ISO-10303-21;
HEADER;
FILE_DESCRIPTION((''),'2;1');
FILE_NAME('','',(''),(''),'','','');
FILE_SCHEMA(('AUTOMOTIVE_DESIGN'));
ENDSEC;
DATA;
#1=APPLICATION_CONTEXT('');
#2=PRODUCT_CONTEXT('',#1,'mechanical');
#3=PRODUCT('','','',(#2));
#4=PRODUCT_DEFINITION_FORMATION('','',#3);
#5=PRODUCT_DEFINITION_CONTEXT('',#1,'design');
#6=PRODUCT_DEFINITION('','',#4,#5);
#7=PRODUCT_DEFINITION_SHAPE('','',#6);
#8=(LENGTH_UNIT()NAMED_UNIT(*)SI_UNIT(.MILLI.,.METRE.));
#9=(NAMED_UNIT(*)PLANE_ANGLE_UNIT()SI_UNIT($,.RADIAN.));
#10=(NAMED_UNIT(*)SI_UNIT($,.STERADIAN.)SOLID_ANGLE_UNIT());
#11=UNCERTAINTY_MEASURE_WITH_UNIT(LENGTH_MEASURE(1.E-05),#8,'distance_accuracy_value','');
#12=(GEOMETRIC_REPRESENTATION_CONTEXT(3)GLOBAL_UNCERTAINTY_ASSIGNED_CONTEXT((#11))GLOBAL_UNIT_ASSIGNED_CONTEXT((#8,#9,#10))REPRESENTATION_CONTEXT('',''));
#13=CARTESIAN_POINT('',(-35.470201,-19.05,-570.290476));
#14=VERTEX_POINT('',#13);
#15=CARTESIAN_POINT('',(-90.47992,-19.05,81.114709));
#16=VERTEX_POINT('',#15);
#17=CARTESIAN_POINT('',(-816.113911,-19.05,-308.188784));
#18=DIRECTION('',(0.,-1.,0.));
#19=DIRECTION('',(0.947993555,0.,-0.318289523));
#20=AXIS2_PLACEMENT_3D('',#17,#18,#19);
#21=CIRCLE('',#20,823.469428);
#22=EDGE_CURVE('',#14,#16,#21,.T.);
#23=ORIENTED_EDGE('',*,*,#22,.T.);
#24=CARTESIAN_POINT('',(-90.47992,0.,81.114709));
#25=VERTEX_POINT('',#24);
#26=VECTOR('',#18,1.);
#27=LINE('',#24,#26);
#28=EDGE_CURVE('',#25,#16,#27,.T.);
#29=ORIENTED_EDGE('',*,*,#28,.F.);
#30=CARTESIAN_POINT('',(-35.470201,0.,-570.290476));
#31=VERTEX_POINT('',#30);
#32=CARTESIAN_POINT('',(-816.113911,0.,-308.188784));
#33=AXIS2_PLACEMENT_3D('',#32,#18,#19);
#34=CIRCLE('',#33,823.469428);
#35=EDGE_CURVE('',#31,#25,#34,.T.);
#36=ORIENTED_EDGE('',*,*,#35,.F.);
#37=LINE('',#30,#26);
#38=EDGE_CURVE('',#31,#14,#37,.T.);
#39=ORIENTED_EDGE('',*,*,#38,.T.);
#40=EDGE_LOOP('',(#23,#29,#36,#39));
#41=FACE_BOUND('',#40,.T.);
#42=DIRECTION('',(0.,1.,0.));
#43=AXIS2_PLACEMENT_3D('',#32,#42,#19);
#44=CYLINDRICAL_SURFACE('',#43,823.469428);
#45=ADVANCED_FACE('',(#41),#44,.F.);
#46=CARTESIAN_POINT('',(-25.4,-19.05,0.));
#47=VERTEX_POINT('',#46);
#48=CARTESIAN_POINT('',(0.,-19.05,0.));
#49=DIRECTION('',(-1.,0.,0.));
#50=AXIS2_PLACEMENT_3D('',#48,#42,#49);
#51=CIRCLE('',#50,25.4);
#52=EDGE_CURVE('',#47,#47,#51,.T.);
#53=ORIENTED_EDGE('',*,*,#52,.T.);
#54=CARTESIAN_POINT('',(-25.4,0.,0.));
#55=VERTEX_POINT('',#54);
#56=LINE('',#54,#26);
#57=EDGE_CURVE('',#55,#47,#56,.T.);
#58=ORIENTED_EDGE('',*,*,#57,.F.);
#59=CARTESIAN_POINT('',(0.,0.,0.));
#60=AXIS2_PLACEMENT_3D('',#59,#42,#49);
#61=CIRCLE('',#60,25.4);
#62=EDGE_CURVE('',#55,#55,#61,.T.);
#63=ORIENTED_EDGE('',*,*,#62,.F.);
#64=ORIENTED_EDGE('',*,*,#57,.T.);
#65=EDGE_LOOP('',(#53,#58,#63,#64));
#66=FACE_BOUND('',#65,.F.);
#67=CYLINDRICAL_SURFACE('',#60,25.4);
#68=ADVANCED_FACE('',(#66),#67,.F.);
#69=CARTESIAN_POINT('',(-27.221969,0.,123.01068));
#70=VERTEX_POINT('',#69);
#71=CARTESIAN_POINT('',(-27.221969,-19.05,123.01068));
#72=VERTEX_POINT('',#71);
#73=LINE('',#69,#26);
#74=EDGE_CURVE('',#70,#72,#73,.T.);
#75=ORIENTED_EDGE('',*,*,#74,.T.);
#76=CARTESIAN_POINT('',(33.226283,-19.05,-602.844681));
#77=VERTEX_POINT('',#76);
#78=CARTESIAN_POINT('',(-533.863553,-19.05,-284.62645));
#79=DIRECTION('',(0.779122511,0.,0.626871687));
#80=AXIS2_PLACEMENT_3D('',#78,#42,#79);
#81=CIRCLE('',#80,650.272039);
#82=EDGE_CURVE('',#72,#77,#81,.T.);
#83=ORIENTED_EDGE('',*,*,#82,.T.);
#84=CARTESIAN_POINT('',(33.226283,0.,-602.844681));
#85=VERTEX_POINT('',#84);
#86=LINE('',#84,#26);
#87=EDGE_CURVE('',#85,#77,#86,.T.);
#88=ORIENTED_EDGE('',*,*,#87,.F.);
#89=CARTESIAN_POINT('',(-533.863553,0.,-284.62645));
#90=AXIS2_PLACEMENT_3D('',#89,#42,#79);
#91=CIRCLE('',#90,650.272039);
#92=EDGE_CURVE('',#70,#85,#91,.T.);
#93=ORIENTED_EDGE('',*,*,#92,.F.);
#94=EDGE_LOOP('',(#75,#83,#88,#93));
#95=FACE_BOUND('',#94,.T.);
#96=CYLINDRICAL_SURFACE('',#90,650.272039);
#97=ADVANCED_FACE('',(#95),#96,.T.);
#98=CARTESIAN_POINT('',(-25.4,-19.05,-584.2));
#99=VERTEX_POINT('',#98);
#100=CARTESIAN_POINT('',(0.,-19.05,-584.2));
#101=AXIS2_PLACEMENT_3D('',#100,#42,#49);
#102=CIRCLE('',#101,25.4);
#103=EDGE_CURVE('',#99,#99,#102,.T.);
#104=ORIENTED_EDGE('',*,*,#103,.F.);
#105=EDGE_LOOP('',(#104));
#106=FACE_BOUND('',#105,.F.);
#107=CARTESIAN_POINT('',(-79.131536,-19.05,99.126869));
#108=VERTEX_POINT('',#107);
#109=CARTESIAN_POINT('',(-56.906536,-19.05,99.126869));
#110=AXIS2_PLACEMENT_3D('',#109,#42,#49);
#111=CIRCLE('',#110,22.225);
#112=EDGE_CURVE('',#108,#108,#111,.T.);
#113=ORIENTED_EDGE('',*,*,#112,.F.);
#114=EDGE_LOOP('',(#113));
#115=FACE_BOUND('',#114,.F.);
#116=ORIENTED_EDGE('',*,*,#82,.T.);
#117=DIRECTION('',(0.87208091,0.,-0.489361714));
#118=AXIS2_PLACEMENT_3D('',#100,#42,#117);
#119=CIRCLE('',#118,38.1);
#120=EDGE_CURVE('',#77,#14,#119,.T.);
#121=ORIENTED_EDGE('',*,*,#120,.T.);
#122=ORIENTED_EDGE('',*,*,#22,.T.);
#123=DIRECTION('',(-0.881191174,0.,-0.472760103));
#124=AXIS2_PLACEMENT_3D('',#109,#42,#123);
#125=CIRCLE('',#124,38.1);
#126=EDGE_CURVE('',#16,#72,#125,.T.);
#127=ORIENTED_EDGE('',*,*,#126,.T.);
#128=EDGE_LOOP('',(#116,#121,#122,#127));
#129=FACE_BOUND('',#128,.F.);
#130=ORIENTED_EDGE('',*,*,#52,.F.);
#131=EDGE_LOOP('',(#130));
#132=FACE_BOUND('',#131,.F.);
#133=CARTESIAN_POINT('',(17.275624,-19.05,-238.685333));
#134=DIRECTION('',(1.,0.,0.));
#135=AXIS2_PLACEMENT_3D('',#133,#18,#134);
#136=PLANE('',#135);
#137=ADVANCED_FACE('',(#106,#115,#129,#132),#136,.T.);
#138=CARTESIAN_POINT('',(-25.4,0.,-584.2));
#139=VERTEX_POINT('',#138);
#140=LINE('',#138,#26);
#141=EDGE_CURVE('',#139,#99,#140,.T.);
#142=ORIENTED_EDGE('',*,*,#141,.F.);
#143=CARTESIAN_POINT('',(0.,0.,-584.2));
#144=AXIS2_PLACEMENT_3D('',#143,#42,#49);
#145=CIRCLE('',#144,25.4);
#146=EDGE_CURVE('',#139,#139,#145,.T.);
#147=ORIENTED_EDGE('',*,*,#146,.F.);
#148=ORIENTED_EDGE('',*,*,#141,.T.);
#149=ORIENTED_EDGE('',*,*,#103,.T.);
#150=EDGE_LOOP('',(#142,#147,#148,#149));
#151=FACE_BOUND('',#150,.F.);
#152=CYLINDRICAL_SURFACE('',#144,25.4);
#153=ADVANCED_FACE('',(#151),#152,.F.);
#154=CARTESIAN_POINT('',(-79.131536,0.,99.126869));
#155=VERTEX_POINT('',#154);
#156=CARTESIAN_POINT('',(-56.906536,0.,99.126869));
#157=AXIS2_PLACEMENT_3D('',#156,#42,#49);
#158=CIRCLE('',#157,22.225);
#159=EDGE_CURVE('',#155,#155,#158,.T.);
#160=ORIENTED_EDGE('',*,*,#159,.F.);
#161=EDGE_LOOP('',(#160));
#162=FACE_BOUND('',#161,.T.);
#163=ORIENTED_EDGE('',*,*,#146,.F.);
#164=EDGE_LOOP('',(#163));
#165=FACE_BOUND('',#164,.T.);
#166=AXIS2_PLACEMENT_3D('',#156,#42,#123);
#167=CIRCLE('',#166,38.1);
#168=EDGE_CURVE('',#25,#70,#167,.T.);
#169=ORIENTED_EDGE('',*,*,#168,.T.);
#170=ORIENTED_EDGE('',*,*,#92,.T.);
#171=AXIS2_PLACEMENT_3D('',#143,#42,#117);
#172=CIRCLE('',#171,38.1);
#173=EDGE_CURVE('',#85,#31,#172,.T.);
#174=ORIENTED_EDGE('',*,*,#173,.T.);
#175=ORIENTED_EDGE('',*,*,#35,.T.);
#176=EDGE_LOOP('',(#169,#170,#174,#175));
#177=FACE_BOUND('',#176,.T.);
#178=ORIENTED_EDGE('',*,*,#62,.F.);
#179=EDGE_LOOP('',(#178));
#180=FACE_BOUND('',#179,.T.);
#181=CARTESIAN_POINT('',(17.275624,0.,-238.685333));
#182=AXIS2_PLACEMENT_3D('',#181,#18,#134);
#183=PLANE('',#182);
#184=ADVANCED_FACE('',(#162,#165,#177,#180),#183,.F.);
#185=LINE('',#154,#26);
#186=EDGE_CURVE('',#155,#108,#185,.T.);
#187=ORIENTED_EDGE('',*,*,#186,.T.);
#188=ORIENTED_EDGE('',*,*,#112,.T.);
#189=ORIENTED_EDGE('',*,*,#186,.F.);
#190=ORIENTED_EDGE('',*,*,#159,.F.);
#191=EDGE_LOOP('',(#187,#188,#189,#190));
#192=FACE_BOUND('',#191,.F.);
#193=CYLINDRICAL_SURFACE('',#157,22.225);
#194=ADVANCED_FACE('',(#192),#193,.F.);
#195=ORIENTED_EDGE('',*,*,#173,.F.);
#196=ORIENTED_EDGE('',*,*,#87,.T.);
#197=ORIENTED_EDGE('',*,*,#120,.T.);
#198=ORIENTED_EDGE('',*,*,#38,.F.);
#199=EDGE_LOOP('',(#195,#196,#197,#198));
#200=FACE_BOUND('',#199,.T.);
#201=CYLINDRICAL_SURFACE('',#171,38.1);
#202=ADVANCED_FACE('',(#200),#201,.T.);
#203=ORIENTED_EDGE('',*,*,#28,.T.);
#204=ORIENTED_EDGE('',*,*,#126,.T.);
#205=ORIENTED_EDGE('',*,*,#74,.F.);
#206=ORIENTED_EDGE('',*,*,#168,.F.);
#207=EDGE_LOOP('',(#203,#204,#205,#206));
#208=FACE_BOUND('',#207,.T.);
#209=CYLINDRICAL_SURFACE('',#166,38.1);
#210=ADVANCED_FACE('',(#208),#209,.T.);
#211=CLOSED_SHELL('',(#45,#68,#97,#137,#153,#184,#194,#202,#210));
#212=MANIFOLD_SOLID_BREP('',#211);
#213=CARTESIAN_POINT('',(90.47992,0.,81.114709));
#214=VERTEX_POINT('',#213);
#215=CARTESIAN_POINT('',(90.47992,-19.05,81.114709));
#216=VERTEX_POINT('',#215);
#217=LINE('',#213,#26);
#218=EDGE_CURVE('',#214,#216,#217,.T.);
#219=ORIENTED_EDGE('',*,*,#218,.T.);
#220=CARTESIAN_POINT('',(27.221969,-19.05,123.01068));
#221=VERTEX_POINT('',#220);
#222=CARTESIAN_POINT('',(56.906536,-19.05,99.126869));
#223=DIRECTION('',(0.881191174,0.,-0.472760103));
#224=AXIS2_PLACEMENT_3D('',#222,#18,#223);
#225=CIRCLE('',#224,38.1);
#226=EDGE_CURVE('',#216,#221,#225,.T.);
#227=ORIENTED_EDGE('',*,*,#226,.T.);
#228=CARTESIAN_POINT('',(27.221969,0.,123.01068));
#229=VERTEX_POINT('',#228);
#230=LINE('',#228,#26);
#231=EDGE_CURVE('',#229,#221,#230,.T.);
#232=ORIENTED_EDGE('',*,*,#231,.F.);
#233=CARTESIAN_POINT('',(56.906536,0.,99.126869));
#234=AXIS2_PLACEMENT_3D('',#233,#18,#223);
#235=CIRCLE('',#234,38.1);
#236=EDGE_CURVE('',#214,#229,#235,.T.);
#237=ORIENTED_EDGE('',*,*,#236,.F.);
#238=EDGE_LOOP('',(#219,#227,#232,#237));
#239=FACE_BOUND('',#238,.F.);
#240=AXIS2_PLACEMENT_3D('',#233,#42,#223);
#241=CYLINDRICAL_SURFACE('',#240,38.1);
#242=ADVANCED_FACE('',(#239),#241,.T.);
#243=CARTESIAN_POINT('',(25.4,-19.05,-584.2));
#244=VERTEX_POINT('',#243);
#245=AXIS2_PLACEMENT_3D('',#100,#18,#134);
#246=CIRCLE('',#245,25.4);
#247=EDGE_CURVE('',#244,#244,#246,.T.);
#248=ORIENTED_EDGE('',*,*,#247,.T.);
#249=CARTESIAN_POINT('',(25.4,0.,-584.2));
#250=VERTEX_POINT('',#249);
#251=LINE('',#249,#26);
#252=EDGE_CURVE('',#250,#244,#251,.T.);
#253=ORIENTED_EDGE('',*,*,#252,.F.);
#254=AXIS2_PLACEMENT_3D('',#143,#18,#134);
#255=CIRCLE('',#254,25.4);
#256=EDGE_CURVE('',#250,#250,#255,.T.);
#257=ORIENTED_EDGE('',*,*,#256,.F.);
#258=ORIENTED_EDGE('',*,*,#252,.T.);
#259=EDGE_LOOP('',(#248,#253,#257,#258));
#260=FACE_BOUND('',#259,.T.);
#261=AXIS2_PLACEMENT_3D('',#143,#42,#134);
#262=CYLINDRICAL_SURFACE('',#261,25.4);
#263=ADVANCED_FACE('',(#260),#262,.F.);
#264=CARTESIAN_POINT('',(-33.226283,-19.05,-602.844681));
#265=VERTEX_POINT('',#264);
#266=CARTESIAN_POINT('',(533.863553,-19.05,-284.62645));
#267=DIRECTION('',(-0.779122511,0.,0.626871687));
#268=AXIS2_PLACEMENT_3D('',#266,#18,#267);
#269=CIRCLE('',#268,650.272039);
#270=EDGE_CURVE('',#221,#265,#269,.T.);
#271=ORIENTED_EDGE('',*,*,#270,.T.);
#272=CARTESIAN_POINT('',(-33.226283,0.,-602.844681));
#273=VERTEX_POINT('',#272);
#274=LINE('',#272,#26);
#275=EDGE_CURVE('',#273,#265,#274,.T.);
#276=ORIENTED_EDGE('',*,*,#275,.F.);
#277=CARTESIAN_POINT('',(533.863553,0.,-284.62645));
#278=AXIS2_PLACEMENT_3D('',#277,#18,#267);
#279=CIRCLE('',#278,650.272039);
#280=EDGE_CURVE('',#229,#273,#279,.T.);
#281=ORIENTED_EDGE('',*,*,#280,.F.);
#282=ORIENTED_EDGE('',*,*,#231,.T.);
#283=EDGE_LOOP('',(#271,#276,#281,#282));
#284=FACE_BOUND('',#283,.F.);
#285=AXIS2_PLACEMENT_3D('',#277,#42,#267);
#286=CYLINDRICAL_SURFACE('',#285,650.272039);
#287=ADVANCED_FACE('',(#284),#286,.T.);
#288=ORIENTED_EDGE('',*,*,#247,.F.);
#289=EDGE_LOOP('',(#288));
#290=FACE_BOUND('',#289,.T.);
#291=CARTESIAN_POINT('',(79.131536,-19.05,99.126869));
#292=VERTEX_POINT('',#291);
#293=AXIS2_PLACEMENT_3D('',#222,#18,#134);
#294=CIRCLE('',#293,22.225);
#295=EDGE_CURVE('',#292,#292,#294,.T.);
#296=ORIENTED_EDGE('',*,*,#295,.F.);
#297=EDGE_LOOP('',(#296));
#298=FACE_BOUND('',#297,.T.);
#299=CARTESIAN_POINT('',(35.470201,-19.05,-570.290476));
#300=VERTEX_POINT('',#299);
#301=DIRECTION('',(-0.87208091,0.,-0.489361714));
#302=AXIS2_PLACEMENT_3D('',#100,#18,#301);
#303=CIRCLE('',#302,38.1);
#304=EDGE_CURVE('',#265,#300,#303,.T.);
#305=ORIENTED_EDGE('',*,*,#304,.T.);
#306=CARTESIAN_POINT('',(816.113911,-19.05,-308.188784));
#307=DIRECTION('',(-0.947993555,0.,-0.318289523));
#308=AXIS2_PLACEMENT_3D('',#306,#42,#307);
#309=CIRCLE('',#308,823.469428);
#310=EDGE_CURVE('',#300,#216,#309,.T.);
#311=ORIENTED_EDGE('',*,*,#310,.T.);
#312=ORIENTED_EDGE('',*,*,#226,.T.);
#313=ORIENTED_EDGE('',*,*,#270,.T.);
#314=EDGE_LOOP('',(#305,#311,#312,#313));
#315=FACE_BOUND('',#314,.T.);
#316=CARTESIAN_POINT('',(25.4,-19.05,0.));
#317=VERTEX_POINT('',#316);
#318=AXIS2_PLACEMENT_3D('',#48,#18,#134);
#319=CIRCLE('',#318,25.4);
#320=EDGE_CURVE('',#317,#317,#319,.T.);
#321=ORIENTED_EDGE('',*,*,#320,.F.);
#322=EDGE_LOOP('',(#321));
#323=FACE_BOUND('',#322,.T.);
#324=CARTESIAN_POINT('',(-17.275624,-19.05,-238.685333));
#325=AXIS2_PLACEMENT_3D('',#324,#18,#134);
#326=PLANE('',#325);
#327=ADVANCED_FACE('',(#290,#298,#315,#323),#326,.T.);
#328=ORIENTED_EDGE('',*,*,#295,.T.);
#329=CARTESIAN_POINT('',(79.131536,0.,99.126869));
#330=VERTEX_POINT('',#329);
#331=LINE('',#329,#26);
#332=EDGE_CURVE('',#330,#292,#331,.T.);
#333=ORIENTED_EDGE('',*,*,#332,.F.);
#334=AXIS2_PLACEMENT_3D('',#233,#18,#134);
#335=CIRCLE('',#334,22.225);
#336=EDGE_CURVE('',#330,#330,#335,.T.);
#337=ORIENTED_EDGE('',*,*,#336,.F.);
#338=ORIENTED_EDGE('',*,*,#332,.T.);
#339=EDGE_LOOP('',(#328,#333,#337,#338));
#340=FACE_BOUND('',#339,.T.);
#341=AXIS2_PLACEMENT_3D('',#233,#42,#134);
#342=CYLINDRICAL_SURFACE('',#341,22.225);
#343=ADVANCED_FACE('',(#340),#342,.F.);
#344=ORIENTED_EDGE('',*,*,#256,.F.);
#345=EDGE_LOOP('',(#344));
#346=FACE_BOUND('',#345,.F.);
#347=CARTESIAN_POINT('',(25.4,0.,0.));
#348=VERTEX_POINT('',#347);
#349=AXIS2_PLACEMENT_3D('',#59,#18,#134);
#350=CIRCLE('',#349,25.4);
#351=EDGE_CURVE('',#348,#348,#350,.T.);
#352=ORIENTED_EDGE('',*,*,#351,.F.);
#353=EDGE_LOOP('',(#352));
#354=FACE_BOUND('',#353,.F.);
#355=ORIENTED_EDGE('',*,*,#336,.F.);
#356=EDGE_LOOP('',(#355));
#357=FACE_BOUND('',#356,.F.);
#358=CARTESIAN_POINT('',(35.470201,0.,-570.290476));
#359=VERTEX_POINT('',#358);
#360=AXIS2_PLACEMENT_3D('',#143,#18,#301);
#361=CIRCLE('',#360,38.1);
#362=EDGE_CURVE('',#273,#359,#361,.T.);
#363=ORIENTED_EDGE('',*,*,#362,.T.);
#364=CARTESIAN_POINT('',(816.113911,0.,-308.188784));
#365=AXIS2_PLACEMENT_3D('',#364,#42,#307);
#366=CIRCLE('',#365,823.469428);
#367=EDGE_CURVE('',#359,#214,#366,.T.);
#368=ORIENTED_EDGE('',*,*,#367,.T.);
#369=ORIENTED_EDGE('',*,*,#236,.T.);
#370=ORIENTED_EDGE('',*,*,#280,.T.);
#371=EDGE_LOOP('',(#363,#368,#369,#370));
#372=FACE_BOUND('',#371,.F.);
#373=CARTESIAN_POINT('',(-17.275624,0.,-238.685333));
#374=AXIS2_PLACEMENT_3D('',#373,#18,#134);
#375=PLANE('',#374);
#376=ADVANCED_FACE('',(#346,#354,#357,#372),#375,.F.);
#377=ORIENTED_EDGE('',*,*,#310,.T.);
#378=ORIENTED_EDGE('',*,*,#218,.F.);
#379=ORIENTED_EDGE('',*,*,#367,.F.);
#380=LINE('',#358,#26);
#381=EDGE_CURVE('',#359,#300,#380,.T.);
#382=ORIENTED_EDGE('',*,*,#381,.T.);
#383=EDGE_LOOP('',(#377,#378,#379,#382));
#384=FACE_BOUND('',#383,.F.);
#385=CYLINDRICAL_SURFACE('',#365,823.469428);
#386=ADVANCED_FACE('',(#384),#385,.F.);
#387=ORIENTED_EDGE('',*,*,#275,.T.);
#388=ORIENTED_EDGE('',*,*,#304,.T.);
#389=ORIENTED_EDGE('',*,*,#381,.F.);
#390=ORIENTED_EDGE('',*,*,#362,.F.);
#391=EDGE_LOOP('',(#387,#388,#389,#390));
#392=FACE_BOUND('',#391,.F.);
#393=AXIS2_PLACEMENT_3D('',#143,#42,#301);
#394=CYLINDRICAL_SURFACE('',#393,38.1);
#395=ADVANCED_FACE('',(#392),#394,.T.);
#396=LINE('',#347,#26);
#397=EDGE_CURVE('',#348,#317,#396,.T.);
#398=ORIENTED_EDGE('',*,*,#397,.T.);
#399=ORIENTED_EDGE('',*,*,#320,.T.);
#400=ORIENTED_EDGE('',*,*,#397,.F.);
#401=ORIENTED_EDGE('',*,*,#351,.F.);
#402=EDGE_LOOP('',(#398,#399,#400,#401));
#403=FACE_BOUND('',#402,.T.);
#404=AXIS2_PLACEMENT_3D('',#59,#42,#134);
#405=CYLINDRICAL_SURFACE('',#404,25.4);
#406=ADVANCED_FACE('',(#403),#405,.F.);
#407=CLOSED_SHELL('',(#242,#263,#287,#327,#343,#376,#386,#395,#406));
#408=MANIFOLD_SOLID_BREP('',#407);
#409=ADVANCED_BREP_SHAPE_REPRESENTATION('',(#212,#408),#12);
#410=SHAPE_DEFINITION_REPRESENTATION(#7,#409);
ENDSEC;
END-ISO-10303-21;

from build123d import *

# Parameters (mm, degrees)
F0_R     = 25.4
F0_R_2   = 22.225
F1_DEPTH = 19.05


with BuildPart() as f1:
    # F0 (on Front) → F1 (new body)
    with BuildSketch(Plane.XZ):
        with BuildLine():
            ThreePointArc((27.221969, 123.01068), (-114.165221, -230.659491), (-33.226283, -602.844681))
            ThreePointArc((-33.226283, -602.844681), (16.315724, -618.629742), (35.470201, -570.290476))
            ThreePointArc((35.470201, -570.290476), (-4.434873, -238.895265), (90.47992, 81.114709))
            ThreePointArc((90.47992, 81.114709), (77.944569, 130.891805), (27.221969, 123.01068))
        make_face()
        with Locations((0, -584.2)):
            Circle(F0_R, mode=Mode.SUBTRACT)
        Circle(F0_R, mode=Mode.SUBTRACT)
        with Locations((56.906536, 99.126869)):
            Circle(F0_R_2, mode=Mode.SUBTRACT)
    extrude(amount=F1_DEPTH)


with BuildPart() as f2_1:
    # F2: instance of F1
    add(f1.part.mirror(Plane.YZ))


solid = Compound([f1.part, f2_1.part])
